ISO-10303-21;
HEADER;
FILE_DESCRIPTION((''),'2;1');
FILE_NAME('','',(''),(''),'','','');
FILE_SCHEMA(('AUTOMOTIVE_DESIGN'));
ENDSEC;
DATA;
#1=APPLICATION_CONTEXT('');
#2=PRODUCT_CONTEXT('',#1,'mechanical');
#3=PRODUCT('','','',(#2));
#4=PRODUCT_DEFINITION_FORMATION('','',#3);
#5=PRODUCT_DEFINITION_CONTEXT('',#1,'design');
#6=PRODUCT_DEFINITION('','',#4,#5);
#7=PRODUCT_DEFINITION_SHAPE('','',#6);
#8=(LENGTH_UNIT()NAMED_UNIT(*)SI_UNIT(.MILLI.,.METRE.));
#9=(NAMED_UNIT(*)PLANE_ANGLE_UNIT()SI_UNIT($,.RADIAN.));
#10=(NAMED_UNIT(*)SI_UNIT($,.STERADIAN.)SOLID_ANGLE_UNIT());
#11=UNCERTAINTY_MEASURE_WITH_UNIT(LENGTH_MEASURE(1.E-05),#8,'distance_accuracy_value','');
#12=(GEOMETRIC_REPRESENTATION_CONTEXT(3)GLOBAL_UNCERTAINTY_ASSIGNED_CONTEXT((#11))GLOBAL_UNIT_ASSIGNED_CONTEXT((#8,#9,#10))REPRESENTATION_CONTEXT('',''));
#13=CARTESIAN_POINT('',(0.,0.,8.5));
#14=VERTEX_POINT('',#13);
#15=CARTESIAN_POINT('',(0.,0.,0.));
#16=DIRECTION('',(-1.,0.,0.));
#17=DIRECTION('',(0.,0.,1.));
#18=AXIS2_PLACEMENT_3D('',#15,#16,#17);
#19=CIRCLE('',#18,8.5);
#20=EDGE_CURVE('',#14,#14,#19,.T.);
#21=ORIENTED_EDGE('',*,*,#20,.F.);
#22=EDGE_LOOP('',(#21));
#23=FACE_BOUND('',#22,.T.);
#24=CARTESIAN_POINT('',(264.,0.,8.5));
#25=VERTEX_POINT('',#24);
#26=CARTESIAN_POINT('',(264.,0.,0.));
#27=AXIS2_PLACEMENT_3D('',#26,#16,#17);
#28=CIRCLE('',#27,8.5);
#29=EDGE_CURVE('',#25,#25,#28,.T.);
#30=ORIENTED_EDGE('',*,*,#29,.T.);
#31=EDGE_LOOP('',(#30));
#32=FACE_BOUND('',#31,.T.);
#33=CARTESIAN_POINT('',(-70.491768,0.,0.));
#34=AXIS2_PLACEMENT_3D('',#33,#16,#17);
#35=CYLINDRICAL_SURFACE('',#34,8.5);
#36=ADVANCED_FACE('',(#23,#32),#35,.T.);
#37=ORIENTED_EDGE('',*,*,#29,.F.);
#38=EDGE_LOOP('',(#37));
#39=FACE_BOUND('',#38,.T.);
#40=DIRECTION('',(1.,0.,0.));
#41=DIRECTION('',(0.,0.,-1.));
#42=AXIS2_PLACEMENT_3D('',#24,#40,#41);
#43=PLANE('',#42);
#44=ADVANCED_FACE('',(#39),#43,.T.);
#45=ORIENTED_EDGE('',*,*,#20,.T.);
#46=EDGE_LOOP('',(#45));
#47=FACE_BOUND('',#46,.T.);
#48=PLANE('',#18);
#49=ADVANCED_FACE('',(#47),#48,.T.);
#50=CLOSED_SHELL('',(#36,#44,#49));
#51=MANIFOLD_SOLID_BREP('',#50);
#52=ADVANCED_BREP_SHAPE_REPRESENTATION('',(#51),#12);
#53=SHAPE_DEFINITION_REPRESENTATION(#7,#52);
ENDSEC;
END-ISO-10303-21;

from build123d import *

# Parameters (mm, degrees)
SKETCH_1_W = 264
SKETCH_1_H = 8.5


with BuildPart() as part:
    # 草图1 → 旋转1 (revolve)
    with BuildSketch(Plane(origin=(0, 0, 0), x_dir=(1, 0, 0), z_dir=(0, 1, 0))):
        with Locations((132, -4.25)):
            Rectangle(SKETCH_1_W, SKETCH_1_H)
    revolve(axis=Axis((-70.491768368, 0, 0), (1, 0, 0)))


solid = part.part
